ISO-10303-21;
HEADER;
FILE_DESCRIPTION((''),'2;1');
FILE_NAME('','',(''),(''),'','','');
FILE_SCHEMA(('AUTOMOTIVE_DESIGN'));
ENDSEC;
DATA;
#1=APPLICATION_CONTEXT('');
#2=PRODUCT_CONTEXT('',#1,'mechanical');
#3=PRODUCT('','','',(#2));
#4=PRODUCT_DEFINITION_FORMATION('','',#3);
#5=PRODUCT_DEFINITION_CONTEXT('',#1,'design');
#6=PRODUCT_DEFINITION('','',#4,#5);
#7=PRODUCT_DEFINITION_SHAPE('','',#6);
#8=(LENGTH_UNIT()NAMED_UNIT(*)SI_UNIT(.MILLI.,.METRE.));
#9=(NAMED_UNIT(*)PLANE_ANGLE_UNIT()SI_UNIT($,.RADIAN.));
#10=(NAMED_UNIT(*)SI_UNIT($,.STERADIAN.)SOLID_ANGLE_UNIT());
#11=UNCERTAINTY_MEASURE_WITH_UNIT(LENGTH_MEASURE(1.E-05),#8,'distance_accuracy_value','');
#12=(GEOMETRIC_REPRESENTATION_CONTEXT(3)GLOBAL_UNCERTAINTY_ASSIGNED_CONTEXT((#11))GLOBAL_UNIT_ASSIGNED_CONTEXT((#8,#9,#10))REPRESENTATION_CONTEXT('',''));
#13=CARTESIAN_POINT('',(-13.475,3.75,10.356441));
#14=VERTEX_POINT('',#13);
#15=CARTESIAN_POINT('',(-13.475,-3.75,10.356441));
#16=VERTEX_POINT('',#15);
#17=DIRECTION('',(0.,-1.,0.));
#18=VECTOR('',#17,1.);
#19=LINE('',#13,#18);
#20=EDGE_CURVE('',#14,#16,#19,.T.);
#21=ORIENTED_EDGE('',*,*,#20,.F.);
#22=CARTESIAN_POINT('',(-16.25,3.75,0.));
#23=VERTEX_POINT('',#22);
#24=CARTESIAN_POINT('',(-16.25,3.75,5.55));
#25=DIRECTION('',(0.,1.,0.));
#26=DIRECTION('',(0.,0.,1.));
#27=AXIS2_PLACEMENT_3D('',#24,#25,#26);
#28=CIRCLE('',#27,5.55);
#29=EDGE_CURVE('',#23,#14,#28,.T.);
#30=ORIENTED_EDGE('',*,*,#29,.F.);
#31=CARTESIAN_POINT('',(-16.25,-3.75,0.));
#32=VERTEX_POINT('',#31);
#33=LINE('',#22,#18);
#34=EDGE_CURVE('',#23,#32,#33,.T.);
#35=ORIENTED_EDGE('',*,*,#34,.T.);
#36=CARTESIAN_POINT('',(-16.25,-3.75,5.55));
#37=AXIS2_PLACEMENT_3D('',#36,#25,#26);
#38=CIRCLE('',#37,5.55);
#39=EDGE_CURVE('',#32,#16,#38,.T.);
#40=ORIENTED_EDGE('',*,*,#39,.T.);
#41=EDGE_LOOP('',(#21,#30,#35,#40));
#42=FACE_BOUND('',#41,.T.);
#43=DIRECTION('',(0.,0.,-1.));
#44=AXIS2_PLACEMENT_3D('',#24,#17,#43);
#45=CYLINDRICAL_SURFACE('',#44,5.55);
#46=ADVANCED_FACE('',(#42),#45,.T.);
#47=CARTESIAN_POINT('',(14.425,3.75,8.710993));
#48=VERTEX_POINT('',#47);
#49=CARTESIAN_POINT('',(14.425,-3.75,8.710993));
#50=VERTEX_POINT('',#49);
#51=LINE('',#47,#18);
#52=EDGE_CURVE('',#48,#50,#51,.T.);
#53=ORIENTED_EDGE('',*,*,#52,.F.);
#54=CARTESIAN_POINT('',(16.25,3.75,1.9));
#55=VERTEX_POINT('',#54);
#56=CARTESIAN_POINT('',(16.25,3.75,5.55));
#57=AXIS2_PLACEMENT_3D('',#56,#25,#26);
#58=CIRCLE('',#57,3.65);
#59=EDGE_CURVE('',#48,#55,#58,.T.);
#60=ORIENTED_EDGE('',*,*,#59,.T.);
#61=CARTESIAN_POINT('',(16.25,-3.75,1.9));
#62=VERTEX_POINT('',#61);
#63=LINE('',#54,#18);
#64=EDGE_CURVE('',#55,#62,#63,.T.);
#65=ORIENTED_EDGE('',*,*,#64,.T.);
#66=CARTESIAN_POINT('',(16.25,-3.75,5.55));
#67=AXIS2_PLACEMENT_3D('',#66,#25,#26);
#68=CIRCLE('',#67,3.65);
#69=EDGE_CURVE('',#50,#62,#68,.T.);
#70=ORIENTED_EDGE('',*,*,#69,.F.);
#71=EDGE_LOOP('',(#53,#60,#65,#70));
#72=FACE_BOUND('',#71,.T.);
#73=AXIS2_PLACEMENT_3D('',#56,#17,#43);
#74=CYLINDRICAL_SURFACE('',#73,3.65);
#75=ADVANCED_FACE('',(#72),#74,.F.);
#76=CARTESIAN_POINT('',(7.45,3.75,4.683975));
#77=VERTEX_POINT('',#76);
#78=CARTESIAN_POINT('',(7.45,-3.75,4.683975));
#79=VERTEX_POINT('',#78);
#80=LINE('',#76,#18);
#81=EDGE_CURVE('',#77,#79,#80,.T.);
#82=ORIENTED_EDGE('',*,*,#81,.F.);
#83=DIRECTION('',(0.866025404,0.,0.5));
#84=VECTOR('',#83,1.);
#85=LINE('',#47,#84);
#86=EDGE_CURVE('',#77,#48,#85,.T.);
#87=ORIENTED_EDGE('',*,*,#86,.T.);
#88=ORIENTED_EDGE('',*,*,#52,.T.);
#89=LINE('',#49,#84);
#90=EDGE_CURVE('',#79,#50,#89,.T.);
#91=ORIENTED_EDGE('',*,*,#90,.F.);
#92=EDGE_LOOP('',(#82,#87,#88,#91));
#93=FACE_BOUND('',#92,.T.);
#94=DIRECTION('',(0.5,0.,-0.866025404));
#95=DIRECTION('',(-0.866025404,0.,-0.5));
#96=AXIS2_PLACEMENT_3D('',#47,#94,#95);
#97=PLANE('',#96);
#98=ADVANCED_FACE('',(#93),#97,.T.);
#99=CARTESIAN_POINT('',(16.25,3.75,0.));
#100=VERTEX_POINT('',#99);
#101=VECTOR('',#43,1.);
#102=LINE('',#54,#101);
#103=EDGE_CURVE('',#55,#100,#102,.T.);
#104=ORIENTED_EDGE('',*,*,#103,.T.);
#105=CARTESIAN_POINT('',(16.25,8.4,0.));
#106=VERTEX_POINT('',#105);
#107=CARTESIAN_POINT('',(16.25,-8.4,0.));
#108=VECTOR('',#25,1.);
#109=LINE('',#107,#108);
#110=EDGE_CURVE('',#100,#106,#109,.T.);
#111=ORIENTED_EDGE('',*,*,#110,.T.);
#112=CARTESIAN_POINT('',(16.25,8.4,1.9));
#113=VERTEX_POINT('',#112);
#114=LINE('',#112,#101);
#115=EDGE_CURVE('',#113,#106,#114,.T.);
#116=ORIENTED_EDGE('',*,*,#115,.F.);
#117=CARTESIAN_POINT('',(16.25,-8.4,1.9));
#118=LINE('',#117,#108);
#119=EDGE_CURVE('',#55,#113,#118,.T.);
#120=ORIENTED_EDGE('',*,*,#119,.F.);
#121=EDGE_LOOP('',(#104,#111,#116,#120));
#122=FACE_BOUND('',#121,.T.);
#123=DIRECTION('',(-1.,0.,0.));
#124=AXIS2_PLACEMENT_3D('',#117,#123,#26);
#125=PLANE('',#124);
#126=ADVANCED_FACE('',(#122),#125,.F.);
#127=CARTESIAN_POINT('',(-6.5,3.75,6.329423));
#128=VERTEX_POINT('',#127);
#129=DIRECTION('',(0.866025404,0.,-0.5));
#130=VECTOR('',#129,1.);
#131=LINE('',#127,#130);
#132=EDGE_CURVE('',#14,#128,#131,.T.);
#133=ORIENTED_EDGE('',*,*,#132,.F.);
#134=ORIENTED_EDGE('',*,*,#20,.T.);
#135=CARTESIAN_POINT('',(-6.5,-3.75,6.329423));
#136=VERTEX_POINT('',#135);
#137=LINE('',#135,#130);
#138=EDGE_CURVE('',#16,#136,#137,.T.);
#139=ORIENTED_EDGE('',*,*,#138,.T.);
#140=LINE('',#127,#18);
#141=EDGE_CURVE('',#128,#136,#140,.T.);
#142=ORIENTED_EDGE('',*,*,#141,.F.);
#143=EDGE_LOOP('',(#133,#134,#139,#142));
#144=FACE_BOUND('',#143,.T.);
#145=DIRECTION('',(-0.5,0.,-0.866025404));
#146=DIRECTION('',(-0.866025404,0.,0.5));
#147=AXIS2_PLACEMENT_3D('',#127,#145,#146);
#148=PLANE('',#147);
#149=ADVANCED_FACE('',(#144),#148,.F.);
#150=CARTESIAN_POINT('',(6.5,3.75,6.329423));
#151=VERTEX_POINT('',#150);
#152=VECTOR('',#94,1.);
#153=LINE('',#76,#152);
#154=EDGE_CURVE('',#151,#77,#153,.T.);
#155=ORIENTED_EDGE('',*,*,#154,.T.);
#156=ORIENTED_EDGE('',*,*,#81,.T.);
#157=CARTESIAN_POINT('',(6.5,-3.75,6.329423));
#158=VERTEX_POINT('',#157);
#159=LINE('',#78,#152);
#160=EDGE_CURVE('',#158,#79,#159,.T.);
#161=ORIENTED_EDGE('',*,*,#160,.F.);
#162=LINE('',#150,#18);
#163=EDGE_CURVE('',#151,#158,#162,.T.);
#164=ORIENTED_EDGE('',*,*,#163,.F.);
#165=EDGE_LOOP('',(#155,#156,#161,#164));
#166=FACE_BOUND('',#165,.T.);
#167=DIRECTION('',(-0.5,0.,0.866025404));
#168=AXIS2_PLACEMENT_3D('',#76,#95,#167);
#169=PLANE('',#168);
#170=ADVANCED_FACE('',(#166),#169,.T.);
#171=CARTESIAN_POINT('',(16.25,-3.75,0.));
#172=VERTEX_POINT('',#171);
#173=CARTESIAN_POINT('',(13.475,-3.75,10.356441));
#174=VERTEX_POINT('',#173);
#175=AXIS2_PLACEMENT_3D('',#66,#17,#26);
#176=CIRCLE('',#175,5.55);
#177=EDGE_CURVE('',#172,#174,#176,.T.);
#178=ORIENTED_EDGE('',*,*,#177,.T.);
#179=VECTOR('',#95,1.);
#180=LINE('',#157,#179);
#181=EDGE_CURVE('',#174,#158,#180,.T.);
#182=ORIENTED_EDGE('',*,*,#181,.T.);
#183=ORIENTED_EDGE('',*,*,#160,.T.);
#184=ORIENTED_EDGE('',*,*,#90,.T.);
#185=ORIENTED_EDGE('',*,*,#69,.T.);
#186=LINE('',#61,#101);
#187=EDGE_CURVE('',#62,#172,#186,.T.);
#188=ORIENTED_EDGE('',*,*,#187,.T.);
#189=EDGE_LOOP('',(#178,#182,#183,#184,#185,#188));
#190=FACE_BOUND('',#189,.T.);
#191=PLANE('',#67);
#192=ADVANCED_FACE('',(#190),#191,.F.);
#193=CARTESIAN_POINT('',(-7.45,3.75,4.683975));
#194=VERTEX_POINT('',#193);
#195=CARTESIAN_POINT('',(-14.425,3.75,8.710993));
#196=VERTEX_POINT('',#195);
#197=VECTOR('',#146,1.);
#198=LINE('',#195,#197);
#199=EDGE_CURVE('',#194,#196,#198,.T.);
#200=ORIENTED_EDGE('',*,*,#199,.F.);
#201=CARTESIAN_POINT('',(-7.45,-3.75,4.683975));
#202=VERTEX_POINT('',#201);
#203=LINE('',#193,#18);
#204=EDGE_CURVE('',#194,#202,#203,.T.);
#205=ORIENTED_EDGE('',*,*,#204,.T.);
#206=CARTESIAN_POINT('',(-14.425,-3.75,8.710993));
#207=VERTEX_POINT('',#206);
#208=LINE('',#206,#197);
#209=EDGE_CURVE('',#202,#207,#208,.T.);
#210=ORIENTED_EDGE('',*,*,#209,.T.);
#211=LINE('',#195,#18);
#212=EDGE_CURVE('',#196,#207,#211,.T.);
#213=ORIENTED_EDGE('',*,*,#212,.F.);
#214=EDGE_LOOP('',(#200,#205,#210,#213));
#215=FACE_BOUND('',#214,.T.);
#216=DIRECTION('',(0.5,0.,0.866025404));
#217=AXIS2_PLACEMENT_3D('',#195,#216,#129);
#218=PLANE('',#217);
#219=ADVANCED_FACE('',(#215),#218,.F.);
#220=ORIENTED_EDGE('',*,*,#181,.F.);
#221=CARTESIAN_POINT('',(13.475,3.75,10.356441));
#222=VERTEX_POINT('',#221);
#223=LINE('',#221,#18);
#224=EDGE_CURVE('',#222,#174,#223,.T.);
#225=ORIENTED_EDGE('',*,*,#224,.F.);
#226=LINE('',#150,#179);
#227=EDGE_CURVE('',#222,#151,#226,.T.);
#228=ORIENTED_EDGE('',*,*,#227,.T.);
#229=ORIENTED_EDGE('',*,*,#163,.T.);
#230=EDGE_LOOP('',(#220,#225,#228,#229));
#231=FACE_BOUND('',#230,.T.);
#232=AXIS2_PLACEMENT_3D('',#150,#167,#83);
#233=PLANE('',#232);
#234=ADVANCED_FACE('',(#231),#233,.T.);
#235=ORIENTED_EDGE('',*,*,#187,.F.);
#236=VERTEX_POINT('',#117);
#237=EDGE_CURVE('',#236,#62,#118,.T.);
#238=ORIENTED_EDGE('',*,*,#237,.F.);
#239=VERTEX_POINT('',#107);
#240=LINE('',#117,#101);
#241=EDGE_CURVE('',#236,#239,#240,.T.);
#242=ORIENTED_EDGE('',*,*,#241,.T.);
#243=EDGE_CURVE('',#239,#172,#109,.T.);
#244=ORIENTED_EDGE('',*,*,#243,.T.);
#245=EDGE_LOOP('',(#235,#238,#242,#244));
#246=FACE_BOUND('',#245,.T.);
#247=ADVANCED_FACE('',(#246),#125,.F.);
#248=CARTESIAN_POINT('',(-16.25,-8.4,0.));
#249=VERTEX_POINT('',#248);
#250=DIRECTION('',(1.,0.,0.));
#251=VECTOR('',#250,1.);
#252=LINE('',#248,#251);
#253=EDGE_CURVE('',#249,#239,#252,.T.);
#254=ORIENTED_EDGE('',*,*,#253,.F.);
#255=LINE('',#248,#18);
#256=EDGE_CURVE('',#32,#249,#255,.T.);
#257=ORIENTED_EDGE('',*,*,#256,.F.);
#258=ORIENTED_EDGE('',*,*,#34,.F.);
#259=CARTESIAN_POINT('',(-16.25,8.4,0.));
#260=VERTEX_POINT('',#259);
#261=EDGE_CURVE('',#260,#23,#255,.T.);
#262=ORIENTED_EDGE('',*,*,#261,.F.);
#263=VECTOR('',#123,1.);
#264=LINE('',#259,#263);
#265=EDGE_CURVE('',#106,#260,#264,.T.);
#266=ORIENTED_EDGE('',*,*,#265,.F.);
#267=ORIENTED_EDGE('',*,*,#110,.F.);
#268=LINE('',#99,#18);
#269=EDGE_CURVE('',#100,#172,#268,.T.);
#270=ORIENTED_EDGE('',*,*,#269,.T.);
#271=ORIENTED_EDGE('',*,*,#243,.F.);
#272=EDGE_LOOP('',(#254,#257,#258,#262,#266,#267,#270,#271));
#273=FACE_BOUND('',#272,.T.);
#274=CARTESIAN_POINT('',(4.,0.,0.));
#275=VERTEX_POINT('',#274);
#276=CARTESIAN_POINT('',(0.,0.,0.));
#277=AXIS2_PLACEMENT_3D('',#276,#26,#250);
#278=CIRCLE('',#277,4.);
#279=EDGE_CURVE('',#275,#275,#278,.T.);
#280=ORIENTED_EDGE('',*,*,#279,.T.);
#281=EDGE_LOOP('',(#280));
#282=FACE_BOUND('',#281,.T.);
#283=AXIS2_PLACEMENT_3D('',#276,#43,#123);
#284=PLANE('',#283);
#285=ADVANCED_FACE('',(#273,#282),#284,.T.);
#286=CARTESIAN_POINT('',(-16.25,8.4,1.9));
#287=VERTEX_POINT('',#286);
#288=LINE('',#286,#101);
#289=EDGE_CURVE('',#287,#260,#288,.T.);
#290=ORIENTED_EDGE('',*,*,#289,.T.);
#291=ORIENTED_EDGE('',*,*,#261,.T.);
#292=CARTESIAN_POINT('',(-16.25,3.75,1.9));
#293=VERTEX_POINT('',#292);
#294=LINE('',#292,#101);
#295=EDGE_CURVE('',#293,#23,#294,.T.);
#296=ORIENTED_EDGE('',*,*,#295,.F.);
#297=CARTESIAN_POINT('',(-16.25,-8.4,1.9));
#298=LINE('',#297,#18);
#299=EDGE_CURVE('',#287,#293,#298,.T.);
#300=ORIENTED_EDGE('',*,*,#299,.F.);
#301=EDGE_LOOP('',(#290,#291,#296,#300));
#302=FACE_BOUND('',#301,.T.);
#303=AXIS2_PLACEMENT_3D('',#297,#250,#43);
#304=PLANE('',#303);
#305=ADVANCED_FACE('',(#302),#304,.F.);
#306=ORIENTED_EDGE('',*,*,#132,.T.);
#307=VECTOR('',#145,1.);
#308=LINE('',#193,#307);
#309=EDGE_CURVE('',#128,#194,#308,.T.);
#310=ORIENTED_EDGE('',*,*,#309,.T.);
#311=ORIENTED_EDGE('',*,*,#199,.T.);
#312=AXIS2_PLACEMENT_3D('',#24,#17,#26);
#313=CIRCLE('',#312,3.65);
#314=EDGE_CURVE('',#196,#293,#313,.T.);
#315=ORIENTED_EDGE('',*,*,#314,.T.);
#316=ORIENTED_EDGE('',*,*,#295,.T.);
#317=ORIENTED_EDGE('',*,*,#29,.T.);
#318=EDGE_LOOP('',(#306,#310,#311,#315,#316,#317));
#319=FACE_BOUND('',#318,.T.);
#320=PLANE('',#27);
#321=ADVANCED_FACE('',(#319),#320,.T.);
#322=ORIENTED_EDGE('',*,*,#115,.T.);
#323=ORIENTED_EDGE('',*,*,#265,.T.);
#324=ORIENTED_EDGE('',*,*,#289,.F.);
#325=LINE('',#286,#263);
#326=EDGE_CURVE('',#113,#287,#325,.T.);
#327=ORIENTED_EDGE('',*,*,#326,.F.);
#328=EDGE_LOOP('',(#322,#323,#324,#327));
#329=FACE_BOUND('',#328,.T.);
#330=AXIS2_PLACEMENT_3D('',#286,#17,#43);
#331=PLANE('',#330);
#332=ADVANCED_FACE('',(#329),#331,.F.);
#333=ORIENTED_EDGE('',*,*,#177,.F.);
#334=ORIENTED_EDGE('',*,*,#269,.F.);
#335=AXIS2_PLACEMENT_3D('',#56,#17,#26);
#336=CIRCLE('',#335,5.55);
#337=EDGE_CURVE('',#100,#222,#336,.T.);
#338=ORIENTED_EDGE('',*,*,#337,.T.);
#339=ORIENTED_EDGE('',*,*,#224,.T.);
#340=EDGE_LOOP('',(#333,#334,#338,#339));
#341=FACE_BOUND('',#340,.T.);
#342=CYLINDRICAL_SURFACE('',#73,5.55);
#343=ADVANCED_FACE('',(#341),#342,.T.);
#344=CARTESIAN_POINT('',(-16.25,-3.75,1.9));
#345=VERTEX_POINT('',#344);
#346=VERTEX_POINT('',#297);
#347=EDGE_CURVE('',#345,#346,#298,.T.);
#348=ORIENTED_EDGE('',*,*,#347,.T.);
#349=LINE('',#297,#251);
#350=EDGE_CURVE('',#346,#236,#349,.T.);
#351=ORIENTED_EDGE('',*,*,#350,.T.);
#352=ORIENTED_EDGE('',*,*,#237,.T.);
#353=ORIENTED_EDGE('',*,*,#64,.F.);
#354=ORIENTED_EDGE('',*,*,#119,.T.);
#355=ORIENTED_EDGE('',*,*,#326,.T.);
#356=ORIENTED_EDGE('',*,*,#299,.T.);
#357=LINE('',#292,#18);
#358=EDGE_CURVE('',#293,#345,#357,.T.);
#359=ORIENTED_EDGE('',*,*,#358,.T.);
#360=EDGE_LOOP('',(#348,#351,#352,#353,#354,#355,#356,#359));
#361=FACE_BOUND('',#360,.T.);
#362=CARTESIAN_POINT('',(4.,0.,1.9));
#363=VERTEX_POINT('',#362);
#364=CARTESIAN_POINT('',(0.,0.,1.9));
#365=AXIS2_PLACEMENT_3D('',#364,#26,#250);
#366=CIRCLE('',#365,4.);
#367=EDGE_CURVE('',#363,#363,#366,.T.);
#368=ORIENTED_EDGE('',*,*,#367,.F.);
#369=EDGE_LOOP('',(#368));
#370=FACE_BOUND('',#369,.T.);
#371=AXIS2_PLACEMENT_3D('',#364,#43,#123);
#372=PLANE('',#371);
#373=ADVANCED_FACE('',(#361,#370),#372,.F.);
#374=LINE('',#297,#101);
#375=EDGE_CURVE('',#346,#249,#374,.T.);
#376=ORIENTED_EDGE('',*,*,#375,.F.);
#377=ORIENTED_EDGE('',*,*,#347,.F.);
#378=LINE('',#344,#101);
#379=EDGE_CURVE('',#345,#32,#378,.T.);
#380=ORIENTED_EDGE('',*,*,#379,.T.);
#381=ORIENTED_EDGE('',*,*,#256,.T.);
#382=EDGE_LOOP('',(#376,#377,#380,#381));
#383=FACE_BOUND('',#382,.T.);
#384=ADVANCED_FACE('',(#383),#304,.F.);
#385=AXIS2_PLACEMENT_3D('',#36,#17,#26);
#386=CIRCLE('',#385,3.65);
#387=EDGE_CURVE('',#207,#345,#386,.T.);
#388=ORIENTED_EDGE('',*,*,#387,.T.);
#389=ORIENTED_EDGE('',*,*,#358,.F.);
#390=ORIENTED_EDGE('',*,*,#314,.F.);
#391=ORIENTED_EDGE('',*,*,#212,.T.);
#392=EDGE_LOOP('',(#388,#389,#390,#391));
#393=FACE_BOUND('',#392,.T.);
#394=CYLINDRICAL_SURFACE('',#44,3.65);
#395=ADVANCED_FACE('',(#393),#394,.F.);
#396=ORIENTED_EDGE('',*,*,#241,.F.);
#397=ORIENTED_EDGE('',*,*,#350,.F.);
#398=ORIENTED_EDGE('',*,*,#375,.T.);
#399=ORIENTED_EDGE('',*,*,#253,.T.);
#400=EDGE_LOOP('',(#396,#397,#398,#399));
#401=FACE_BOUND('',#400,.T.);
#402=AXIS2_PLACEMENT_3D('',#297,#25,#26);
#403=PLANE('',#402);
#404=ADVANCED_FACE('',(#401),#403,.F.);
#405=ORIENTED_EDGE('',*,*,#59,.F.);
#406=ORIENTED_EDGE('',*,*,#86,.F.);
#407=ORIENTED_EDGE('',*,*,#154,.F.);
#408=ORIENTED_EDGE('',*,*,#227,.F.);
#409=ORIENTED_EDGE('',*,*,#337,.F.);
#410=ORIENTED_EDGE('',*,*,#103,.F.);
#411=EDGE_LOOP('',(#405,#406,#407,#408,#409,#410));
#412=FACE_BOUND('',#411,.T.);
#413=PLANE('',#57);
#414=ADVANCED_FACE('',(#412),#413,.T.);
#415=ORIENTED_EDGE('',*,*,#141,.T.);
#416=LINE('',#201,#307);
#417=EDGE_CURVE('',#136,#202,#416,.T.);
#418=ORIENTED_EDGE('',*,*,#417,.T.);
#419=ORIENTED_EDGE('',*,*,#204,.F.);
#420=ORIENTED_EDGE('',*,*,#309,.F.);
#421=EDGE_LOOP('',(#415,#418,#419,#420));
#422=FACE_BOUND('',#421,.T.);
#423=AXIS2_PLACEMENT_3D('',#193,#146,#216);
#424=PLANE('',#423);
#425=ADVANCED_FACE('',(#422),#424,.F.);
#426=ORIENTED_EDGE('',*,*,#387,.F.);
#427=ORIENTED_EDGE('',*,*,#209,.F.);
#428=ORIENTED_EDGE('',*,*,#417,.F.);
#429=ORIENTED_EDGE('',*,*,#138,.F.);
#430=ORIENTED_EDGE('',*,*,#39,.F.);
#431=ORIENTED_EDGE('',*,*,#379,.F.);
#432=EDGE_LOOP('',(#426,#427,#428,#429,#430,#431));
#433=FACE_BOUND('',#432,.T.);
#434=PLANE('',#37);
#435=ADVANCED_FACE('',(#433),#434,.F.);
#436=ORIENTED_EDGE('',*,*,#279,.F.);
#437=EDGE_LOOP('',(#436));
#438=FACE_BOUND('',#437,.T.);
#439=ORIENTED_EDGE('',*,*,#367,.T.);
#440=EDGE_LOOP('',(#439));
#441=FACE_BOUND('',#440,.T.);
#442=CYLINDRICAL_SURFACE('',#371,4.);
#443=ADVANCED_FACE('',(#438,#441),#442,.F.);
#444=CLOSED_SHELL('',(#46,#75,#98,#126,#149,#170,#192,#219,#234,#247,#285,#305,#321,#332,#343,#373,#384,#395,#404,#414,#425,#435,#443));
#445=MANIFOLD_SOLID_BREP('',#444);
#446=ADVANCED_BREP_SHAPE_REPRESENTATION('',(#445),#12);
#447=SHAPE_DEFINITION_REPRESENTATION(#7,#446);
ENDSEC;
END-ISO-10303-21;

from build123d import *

# Parameters (mm, degrees)
SKETCH_1_W      = 32.5
SKETCH_1_H      = 16.8
SKETCH_1_R      = 4
EXTRUDE_1_DEPTH = 1.9
EXTRUDE_2_DEPTH = 3.75


with BuildPart() as part:
    # Эскиз1 → Бобышка-Вытянуть1 (new body)
    with BuildSketch(Plane.XY):
        Rectangle(SKETCH_1_W, SKETCH_1_H)
        Circle(SKETCH_1_R, mode=Mode.SUBTRACT)
    extrude(amount=EXTRUDE_1_DEPTH)

    # Эскиз3 → Бобышка-Вытянуть2 (add, symmetric)
    with BuildSketch(Plane(origin=(0, 0, 0), x_dir=(1, 0, 0), z_dir=(0, 1, 0))):
        with BuildLine():
            Line((-14.425, -8.710992724), (-7.45, -4.683974596))
            Line((-7.45, -4.683974596), (-6.5, -6.329422863))
            Line((-6.5, -6.329422863), (-13.475, -10.356440991))
            ThreePointArc((-13.475, -10.356440991), (-21.610888336, -6.9864457), (-16.25, 0))
            Line((-16.25, 0), (-16.25, -1.9))
            ThreePointArc((-16.25, -1.9), (-19.775629266, -6.494689515), (-14.425, -8.710992724))
        make_face()
    extrude_2 = extrude(amount=EXTRUDE_2_DEPTH, both=True)

    # Зеркальное отражение1: Бобышка-Вытянуть2 across plane
    add(extrude_2.mirror(Plane(origin=(0, 0, 0), x_dir=(0, 0, 1), z_dir=(1, 0, 0))))


solid = part.part
